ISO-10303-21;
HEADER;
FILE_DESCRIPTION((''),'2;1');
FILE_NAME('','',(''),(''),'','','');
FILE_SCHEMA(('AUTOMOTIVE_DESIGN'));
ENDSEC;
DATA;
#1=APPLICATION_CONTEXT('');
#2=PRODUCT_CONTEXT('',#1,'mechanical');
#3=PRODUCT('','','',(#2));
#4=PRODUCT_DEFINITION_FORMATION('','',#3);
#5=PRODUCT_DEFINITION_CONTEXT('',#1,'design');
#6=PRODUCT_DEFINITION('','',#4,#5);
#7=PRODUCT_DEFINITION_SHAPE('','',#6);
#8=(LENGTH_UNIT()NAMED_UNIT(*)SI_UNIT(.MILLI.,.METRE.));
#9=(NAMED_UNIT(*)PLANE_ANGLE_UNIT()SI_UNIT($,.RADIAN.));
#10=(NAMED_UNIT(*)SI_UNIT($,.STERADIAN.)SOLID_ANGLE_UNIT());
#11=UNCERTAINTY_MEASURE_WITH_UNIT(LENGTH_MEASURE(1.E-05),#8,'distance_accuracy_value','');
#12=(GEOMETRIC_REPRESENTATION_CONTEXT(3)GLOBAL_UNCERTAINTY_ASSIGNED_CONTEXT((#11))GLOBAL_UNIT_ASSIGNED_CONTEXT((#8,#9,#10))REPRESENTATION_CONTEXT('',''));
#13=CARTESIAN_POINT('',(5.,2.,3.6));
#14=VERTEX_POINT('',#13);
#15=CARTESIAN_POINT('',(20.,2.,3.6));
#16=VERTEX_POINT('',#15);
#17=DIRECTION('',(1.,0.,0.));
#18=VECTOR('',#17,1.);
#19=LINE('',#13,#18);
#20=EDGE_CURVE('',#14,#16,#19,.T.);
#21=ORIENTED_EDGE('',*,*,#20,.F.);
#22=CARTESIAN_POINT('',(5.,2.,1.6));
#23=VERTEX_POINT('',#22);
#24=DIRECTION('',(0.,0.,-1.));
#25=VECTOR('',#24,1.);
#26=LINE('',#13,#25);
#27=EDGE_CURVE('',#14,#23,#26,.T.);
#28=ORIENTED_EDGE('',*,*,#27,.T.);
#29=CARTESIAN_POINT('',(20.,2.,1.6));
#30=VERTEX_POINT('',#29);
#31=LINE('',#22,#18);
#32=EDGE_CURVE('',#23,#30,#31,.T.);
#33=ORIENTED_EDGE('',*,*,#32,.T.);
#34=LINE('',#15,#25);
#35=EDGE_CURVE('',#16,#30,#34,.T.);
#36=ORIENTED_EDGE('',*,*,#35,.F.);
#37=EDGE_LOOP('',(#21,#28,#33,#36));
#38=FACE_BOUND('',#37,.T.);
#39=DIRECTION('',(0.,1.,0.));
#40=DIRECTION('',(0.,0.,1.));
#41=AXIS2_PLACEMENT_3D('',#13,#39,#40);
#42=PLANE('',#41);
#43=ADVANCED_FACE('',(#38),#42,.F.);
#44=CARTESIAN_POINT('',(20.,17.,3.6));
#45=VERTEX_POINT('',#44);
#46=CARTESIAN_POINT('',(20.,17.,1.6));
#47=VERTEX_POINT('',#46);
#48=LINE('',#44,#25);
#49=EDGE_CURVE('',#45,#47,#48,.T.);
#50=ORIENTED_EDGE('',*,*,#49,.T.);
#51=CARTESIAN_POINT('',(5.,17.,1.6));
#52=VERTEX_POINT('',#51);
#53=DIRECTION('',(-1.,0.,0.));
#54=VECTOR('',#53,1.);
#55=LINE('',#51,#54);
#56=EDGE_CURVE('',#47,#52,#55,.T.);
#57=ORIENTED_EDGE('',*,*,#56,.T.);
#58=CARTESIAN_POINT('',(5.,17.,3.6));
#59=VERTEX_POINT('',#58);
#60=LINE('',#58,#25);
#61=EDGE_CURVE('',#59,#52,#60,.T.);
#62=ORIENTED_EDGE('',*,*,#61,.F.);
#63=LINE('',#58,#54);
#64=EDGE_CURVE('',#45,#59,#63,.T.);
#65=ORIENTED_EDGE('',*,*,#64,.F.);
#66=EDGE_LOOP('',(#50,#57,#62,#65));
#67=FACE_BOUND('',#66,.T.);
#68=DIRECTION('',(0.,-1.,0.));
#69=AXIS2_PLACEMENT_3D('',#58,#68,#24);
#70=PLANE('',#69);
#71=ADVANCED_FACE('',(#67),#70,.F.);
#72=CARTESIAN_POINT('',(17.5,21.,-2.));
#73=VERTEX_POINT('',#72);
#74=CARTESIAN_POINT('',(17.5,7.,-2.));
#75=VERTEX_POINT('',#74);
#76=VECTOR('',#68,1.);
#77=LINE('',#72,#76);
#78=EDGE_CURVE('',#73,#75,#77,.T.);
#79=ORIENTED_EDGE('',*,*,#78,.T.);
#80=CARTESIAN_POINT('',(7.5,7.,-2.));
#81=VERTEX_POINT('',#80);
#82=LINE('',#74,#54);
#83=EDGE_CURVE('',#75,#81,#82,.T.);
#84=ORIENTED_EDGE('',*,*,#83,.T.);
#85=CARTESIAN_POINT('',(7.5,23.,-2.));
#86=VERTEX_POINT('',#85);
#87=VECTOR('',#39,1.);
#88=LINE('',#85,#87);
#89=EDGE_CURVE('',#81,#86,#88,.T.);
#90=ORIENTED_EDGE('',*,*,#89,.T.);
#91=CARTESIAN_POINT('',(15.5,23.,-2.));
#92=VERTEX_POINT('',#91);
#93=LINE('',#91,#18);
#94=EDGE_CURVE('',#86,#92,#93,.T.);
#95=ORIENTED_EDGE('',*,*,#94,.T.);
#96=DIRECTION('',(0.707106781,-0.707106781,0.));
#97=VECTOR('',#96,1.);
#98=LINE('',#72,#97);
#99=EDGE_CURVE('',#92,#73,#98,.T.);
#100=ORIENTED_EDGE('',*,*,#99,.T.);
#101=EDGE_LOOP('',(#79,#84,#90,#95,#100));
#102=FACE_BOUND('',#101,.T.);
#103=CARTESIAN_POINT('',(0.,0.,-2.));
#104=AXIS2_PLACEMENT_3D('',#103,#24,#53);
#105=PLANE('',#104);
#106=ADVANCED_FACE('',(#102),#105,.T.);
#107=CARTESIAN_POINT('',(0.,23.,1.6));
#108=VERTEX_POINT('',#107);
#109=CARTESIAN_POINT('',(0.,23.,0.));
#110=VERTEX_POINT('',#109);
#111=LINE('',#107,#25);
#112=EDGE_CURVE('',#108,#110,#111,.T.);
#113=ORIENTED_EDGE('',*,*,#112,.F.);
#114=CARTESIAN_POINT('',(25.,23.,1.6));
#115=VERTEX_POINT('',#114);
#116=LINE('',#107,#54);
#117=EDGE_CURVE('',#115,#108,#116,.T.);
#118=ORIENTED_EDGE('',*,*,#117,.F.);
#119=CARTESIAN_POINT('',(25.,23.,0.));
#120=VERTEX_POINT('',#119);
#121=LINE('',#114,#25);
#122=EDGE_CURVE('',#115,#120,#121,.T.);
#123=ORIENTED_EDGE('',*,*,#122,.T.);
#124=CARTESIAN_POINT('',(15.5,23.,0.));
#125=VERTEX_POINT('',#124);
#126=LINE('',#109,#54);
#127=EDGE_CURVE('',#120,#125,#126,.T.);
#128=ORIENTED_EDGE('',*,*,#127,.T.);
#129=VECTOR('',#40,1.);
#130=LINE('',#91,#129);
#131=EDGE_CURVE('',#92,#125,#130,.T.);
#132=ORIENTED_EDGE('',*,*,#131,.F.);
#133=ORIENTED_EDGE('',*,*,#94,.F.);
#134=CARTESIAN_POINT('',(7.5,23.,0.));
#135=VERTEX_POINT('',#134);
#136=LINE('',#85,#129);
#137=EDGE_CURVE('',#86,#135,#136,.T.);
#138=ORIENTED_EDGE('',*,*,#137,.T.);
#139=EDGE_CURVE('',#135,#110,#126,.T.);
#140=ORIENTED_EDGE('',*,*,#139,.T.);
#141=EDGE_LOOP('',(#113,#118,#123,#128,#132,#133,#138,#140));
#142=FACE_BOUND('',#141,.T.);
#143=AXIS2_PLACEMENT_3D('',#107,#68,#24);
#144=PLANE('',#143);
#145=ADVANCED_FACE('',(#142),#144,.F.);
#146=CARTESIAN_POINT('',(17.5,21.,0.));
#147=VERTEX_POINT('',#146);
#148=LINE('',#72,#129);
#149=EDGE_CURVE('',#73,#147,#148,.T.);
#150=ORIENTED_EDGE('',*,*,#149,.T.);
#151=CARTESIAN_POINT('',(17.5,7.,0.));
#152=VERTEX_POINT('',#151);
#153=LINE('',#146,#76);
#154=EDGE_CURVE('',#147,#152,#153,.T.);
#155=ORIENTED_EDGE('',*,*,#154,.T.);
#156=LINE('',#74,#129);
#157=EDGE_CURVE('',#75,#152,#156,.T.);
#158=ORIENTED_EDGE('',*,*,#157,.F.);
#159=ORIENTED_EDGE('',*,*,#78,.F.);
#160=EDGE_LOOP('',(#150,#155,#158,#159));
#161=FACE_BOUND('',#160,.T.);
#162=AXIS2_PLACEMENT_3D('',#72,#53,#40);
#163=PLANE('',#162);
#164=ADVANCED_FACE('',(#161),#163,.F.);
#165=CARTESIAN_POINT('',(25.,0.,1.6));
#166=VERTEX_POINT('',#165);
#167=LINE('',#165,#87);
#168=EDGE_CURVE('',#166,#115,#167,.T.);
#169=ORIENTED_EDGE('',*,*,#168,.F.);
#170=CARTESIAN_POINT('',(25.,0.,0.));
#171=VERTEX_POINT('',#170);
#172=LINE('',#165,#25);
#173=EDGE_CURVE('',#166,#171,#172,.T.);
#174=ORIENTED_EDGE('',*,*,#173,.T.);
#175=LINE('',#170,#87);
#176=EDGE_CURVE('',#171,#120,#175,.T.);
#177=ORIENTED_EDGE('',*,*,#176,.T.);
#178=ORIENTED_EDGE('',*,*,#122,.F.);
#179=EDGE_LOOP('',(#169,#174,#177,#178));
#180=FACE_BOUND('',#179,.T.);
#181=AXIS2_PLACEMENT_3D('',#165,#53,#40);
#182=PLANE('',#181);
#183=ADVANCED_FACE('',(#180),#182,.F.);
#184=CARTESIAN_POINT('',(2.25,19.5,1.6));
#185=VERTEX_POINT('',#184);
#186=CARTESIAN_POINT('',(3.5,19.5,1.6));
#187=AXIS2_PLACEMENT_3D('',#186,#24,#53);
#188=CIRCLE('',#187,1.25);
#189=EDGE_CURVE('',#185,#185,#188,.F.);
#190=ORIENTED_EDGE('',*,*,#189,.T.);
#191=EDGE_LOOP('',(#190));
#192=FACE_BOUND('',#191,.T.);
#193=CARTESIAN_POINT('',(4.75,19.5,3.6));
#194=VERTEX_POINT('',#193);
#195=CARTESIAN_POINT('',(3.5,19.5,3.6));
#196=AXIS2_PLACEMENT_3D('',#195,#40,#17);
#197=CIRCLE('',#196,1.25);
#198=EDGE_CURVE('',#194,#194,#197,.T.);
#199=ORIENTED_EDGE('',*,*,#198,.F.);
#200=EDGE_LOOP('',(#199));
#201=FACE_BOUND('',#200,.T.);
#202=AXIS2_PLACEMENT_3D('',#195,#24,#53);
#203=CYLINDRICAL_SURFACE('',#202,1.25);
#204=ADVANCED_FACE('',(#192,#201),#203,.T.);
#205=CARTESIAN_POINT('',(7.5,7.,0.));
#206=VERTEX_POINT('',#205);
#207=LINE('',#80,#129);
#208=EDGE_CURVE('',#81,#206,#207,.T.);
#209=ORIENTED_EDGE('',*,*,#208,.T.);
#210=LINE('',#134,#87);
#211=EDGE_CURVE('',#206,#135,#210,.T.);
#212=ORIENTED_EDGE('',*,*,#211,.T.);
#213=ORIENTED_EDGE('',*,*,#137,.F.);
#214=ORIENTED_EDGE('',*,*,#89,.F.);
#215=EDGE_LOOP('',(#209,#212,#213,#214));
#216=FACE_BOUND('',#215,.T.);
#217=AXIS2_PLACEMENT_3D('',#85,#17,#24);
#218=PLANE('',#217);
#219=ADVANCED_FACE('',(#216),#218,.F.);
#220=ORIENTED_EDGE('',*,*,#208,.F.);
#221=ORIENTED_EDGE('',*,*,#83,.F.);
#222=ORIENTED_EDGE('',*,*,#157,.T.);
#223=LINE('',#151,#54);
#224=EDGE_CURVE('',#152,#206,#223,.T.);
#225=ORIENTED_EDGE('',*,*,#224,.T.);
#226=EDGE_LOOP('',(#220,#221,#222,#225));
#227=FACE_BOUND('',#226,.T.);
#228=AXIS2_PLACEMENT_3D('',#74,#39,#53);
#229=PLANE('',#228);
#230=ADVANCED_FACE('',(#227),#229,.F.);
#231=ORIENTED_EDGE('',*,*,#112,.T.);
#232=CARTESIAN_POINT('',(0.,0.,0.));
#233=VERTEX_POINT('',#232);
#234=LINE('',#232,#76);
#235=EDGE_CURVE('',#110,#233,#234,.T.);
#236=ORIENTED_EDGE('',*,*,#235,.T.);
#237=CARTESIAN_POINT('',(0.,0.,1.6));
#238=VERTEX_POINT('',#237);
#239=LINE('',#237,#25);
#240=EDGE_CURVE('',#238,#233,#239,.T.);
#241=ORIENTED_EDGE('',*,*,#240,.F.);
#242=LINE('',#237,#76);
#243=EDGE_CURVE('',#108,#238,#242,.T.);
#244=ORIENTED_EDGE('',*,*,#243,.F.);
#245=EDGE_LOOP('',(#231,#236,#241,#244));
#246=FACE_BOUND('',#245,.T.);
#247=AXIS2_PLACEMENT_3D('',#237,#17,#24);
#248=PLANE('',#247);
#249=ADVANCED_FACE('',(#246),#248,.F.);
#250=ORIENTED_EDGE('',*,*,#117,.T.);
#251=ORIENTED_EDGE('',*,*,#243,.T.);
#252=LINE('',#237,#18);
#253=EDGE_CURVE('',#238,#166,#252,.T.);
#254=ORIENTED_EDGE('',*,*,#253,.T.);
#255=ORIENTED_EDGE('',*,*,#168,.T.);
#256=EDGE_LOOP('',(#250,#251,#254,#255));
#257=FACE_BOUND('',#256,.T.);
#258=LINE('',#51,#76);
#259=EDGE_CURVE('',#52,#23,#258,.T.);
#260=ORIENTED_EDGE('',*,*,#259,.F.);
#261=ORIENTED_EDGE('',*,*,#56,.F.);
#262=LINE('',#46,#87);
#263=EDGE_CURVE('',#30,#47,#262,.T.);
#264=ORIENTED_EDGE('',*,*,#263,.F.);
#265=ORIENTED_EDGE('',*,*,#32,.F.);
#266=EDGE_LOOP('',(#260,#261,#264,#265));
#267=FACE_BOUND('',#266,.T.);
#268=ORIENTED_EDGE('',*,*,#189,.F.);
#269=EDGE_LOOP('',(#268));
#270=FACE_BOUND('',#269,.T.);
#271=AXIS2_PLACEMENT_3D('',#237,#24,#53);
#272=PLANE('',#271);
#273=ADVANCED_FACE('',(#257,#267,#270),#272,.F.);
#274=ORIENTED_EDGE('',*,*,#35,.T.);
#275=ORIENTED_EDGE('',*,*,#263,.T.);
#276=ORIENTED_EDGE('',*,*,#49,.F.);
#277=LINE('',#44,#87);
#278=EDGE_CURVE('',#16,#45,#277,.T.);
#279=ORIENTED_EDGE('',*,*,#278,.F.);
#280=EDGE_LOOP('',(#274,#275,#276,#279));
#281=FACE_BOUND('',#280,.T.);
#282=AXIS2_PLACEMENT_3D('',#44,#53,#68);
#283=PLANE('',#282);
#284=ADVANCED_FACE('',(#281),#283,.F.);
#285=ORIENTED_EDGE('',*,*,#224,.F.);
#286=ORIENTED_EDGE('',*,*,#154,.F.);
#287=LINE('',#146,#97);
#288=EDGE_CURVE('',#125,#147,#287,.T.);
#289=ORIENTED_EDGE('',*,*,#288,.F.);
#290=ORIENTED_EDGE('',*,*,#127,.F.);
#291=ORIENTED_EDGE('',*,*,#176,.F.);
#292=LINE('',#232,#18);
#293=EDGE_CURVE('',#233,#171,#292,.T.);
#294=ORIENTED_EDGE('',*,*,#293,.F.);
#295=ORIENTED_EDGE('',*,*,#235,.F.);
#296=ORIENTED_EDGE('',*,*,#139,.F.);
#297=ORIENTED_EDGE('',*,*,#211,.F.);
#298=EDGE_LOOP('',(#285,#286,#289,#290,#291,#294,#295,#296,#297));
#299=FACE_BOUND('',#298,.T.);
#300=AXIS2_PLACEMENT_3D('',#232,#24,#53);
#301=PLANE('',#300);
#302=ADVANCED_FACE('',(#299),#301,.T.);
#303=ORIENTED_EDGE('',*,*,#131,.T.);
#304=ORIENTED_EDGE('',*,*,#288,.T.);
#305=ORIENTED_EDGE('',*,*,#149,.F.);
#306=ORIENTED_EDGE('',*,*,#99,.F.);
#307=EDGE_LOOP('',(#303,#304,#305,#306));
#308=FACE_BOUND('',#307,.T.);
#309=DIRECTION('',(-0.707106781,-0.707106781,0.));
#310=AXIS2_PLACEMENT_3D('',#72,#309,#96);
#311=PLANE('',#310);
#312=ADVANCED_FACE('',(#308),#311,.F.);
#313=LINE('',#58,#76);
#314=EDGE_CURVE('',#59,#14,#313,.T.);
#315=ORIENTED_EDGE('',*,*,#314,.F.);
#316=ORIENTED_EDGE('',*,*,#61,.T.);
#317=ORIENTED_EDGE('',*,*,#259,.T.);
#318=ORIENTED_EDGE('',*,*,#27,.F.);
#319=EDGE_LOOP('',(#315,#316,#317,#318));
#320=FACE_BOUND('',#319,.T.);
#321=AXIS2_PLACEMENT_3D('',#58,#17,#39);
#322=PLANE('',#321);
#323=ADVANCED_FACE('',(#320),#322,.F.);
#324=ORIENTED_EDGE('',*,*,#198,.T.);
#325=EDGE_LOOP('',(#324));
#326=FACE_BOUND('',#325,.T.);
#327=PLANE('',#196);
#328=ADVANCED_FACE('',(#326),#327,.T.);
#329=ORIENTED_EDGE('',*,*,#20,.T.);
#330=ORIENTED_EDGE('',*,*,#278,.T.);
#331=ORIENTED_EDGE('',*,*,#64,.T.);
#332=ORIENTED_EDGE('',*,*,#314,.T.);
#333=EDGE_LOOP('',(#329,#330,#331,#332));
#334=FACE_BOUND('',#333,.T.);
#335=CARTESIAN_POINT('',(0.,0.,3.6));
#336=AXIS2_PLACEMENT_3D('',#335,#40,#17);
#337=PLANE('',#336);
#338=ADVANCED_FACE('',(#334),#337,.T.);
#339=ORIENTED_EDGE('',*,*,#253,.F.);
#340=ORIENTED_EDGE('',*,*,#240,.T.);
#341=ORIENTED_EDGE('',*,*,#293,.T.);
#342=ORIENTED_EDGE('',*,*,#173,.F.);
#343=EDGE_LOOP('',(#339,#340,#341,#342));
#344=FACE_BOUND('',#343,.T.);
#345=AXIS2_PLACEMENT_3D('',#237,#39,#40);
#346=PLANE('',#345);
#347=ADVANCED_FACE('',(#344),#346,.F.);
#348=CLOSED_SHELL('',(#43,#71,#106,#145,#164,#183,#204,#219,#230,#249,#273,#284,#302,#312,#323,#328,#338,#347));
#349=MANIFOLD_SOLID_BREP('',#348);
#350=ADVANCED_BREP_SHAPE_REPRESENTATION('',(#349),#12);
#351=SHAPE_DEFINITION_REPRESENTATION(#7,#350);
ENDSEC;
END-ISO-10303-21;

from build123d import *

# Parameters (mm, degrees)
SKETCH_1_W      = 25
SKETCH_1_H      = 23
EXTRUDE_1_DEPTH = 1.6
SKETCH_2_R      = 1.25
SKETCH_2_W      = 15
SKETCH_2_H      = 15
EXTRUDE_2_DEPTH = 2
EXTRUDE_3_DEPTH = 2


with BuildPart() as part:
    # Эскиз1 → Бобышка-Вытянуть1 (new body)
    with BuildSketch(Plane.XY):
        with Locations((12.5, 11.5)):
            Rectangle(SKETCH_1_W, SKETCH_1_H)
    extrude(amount=EXTRUDE_1_DEPTH)

    # Эскиз2 → Бобышка-Вытянуть2 (add)
    with BuildSketch(Plane.XY.offset(1.6)):
        with Locations((3.5, 19.5)):
            Circle(SKETCH_2_R)
        with Locations((12.5, 9.5)):
            Rectangle(SKETCH_2_W, SKETCH_2_H)
    extrude(amount=EXTRUDE_2_DEPTH)

    # Эскиз3 → Бобышка-Вытянуть3 (add)
    with BuildSketch(Plane(origin=(0, 0, 0), x_dir=(-1, 0, 0), z_dir=(0, 0, -1))):
        Polygon((-15.5, 23), (-7.5, 23), (-7.5, 7), (-17.5, 7), (-17.5, 21), align=None)
    extrude(amount=EXTRUDE_3_DEPTH)


solid = part.part
